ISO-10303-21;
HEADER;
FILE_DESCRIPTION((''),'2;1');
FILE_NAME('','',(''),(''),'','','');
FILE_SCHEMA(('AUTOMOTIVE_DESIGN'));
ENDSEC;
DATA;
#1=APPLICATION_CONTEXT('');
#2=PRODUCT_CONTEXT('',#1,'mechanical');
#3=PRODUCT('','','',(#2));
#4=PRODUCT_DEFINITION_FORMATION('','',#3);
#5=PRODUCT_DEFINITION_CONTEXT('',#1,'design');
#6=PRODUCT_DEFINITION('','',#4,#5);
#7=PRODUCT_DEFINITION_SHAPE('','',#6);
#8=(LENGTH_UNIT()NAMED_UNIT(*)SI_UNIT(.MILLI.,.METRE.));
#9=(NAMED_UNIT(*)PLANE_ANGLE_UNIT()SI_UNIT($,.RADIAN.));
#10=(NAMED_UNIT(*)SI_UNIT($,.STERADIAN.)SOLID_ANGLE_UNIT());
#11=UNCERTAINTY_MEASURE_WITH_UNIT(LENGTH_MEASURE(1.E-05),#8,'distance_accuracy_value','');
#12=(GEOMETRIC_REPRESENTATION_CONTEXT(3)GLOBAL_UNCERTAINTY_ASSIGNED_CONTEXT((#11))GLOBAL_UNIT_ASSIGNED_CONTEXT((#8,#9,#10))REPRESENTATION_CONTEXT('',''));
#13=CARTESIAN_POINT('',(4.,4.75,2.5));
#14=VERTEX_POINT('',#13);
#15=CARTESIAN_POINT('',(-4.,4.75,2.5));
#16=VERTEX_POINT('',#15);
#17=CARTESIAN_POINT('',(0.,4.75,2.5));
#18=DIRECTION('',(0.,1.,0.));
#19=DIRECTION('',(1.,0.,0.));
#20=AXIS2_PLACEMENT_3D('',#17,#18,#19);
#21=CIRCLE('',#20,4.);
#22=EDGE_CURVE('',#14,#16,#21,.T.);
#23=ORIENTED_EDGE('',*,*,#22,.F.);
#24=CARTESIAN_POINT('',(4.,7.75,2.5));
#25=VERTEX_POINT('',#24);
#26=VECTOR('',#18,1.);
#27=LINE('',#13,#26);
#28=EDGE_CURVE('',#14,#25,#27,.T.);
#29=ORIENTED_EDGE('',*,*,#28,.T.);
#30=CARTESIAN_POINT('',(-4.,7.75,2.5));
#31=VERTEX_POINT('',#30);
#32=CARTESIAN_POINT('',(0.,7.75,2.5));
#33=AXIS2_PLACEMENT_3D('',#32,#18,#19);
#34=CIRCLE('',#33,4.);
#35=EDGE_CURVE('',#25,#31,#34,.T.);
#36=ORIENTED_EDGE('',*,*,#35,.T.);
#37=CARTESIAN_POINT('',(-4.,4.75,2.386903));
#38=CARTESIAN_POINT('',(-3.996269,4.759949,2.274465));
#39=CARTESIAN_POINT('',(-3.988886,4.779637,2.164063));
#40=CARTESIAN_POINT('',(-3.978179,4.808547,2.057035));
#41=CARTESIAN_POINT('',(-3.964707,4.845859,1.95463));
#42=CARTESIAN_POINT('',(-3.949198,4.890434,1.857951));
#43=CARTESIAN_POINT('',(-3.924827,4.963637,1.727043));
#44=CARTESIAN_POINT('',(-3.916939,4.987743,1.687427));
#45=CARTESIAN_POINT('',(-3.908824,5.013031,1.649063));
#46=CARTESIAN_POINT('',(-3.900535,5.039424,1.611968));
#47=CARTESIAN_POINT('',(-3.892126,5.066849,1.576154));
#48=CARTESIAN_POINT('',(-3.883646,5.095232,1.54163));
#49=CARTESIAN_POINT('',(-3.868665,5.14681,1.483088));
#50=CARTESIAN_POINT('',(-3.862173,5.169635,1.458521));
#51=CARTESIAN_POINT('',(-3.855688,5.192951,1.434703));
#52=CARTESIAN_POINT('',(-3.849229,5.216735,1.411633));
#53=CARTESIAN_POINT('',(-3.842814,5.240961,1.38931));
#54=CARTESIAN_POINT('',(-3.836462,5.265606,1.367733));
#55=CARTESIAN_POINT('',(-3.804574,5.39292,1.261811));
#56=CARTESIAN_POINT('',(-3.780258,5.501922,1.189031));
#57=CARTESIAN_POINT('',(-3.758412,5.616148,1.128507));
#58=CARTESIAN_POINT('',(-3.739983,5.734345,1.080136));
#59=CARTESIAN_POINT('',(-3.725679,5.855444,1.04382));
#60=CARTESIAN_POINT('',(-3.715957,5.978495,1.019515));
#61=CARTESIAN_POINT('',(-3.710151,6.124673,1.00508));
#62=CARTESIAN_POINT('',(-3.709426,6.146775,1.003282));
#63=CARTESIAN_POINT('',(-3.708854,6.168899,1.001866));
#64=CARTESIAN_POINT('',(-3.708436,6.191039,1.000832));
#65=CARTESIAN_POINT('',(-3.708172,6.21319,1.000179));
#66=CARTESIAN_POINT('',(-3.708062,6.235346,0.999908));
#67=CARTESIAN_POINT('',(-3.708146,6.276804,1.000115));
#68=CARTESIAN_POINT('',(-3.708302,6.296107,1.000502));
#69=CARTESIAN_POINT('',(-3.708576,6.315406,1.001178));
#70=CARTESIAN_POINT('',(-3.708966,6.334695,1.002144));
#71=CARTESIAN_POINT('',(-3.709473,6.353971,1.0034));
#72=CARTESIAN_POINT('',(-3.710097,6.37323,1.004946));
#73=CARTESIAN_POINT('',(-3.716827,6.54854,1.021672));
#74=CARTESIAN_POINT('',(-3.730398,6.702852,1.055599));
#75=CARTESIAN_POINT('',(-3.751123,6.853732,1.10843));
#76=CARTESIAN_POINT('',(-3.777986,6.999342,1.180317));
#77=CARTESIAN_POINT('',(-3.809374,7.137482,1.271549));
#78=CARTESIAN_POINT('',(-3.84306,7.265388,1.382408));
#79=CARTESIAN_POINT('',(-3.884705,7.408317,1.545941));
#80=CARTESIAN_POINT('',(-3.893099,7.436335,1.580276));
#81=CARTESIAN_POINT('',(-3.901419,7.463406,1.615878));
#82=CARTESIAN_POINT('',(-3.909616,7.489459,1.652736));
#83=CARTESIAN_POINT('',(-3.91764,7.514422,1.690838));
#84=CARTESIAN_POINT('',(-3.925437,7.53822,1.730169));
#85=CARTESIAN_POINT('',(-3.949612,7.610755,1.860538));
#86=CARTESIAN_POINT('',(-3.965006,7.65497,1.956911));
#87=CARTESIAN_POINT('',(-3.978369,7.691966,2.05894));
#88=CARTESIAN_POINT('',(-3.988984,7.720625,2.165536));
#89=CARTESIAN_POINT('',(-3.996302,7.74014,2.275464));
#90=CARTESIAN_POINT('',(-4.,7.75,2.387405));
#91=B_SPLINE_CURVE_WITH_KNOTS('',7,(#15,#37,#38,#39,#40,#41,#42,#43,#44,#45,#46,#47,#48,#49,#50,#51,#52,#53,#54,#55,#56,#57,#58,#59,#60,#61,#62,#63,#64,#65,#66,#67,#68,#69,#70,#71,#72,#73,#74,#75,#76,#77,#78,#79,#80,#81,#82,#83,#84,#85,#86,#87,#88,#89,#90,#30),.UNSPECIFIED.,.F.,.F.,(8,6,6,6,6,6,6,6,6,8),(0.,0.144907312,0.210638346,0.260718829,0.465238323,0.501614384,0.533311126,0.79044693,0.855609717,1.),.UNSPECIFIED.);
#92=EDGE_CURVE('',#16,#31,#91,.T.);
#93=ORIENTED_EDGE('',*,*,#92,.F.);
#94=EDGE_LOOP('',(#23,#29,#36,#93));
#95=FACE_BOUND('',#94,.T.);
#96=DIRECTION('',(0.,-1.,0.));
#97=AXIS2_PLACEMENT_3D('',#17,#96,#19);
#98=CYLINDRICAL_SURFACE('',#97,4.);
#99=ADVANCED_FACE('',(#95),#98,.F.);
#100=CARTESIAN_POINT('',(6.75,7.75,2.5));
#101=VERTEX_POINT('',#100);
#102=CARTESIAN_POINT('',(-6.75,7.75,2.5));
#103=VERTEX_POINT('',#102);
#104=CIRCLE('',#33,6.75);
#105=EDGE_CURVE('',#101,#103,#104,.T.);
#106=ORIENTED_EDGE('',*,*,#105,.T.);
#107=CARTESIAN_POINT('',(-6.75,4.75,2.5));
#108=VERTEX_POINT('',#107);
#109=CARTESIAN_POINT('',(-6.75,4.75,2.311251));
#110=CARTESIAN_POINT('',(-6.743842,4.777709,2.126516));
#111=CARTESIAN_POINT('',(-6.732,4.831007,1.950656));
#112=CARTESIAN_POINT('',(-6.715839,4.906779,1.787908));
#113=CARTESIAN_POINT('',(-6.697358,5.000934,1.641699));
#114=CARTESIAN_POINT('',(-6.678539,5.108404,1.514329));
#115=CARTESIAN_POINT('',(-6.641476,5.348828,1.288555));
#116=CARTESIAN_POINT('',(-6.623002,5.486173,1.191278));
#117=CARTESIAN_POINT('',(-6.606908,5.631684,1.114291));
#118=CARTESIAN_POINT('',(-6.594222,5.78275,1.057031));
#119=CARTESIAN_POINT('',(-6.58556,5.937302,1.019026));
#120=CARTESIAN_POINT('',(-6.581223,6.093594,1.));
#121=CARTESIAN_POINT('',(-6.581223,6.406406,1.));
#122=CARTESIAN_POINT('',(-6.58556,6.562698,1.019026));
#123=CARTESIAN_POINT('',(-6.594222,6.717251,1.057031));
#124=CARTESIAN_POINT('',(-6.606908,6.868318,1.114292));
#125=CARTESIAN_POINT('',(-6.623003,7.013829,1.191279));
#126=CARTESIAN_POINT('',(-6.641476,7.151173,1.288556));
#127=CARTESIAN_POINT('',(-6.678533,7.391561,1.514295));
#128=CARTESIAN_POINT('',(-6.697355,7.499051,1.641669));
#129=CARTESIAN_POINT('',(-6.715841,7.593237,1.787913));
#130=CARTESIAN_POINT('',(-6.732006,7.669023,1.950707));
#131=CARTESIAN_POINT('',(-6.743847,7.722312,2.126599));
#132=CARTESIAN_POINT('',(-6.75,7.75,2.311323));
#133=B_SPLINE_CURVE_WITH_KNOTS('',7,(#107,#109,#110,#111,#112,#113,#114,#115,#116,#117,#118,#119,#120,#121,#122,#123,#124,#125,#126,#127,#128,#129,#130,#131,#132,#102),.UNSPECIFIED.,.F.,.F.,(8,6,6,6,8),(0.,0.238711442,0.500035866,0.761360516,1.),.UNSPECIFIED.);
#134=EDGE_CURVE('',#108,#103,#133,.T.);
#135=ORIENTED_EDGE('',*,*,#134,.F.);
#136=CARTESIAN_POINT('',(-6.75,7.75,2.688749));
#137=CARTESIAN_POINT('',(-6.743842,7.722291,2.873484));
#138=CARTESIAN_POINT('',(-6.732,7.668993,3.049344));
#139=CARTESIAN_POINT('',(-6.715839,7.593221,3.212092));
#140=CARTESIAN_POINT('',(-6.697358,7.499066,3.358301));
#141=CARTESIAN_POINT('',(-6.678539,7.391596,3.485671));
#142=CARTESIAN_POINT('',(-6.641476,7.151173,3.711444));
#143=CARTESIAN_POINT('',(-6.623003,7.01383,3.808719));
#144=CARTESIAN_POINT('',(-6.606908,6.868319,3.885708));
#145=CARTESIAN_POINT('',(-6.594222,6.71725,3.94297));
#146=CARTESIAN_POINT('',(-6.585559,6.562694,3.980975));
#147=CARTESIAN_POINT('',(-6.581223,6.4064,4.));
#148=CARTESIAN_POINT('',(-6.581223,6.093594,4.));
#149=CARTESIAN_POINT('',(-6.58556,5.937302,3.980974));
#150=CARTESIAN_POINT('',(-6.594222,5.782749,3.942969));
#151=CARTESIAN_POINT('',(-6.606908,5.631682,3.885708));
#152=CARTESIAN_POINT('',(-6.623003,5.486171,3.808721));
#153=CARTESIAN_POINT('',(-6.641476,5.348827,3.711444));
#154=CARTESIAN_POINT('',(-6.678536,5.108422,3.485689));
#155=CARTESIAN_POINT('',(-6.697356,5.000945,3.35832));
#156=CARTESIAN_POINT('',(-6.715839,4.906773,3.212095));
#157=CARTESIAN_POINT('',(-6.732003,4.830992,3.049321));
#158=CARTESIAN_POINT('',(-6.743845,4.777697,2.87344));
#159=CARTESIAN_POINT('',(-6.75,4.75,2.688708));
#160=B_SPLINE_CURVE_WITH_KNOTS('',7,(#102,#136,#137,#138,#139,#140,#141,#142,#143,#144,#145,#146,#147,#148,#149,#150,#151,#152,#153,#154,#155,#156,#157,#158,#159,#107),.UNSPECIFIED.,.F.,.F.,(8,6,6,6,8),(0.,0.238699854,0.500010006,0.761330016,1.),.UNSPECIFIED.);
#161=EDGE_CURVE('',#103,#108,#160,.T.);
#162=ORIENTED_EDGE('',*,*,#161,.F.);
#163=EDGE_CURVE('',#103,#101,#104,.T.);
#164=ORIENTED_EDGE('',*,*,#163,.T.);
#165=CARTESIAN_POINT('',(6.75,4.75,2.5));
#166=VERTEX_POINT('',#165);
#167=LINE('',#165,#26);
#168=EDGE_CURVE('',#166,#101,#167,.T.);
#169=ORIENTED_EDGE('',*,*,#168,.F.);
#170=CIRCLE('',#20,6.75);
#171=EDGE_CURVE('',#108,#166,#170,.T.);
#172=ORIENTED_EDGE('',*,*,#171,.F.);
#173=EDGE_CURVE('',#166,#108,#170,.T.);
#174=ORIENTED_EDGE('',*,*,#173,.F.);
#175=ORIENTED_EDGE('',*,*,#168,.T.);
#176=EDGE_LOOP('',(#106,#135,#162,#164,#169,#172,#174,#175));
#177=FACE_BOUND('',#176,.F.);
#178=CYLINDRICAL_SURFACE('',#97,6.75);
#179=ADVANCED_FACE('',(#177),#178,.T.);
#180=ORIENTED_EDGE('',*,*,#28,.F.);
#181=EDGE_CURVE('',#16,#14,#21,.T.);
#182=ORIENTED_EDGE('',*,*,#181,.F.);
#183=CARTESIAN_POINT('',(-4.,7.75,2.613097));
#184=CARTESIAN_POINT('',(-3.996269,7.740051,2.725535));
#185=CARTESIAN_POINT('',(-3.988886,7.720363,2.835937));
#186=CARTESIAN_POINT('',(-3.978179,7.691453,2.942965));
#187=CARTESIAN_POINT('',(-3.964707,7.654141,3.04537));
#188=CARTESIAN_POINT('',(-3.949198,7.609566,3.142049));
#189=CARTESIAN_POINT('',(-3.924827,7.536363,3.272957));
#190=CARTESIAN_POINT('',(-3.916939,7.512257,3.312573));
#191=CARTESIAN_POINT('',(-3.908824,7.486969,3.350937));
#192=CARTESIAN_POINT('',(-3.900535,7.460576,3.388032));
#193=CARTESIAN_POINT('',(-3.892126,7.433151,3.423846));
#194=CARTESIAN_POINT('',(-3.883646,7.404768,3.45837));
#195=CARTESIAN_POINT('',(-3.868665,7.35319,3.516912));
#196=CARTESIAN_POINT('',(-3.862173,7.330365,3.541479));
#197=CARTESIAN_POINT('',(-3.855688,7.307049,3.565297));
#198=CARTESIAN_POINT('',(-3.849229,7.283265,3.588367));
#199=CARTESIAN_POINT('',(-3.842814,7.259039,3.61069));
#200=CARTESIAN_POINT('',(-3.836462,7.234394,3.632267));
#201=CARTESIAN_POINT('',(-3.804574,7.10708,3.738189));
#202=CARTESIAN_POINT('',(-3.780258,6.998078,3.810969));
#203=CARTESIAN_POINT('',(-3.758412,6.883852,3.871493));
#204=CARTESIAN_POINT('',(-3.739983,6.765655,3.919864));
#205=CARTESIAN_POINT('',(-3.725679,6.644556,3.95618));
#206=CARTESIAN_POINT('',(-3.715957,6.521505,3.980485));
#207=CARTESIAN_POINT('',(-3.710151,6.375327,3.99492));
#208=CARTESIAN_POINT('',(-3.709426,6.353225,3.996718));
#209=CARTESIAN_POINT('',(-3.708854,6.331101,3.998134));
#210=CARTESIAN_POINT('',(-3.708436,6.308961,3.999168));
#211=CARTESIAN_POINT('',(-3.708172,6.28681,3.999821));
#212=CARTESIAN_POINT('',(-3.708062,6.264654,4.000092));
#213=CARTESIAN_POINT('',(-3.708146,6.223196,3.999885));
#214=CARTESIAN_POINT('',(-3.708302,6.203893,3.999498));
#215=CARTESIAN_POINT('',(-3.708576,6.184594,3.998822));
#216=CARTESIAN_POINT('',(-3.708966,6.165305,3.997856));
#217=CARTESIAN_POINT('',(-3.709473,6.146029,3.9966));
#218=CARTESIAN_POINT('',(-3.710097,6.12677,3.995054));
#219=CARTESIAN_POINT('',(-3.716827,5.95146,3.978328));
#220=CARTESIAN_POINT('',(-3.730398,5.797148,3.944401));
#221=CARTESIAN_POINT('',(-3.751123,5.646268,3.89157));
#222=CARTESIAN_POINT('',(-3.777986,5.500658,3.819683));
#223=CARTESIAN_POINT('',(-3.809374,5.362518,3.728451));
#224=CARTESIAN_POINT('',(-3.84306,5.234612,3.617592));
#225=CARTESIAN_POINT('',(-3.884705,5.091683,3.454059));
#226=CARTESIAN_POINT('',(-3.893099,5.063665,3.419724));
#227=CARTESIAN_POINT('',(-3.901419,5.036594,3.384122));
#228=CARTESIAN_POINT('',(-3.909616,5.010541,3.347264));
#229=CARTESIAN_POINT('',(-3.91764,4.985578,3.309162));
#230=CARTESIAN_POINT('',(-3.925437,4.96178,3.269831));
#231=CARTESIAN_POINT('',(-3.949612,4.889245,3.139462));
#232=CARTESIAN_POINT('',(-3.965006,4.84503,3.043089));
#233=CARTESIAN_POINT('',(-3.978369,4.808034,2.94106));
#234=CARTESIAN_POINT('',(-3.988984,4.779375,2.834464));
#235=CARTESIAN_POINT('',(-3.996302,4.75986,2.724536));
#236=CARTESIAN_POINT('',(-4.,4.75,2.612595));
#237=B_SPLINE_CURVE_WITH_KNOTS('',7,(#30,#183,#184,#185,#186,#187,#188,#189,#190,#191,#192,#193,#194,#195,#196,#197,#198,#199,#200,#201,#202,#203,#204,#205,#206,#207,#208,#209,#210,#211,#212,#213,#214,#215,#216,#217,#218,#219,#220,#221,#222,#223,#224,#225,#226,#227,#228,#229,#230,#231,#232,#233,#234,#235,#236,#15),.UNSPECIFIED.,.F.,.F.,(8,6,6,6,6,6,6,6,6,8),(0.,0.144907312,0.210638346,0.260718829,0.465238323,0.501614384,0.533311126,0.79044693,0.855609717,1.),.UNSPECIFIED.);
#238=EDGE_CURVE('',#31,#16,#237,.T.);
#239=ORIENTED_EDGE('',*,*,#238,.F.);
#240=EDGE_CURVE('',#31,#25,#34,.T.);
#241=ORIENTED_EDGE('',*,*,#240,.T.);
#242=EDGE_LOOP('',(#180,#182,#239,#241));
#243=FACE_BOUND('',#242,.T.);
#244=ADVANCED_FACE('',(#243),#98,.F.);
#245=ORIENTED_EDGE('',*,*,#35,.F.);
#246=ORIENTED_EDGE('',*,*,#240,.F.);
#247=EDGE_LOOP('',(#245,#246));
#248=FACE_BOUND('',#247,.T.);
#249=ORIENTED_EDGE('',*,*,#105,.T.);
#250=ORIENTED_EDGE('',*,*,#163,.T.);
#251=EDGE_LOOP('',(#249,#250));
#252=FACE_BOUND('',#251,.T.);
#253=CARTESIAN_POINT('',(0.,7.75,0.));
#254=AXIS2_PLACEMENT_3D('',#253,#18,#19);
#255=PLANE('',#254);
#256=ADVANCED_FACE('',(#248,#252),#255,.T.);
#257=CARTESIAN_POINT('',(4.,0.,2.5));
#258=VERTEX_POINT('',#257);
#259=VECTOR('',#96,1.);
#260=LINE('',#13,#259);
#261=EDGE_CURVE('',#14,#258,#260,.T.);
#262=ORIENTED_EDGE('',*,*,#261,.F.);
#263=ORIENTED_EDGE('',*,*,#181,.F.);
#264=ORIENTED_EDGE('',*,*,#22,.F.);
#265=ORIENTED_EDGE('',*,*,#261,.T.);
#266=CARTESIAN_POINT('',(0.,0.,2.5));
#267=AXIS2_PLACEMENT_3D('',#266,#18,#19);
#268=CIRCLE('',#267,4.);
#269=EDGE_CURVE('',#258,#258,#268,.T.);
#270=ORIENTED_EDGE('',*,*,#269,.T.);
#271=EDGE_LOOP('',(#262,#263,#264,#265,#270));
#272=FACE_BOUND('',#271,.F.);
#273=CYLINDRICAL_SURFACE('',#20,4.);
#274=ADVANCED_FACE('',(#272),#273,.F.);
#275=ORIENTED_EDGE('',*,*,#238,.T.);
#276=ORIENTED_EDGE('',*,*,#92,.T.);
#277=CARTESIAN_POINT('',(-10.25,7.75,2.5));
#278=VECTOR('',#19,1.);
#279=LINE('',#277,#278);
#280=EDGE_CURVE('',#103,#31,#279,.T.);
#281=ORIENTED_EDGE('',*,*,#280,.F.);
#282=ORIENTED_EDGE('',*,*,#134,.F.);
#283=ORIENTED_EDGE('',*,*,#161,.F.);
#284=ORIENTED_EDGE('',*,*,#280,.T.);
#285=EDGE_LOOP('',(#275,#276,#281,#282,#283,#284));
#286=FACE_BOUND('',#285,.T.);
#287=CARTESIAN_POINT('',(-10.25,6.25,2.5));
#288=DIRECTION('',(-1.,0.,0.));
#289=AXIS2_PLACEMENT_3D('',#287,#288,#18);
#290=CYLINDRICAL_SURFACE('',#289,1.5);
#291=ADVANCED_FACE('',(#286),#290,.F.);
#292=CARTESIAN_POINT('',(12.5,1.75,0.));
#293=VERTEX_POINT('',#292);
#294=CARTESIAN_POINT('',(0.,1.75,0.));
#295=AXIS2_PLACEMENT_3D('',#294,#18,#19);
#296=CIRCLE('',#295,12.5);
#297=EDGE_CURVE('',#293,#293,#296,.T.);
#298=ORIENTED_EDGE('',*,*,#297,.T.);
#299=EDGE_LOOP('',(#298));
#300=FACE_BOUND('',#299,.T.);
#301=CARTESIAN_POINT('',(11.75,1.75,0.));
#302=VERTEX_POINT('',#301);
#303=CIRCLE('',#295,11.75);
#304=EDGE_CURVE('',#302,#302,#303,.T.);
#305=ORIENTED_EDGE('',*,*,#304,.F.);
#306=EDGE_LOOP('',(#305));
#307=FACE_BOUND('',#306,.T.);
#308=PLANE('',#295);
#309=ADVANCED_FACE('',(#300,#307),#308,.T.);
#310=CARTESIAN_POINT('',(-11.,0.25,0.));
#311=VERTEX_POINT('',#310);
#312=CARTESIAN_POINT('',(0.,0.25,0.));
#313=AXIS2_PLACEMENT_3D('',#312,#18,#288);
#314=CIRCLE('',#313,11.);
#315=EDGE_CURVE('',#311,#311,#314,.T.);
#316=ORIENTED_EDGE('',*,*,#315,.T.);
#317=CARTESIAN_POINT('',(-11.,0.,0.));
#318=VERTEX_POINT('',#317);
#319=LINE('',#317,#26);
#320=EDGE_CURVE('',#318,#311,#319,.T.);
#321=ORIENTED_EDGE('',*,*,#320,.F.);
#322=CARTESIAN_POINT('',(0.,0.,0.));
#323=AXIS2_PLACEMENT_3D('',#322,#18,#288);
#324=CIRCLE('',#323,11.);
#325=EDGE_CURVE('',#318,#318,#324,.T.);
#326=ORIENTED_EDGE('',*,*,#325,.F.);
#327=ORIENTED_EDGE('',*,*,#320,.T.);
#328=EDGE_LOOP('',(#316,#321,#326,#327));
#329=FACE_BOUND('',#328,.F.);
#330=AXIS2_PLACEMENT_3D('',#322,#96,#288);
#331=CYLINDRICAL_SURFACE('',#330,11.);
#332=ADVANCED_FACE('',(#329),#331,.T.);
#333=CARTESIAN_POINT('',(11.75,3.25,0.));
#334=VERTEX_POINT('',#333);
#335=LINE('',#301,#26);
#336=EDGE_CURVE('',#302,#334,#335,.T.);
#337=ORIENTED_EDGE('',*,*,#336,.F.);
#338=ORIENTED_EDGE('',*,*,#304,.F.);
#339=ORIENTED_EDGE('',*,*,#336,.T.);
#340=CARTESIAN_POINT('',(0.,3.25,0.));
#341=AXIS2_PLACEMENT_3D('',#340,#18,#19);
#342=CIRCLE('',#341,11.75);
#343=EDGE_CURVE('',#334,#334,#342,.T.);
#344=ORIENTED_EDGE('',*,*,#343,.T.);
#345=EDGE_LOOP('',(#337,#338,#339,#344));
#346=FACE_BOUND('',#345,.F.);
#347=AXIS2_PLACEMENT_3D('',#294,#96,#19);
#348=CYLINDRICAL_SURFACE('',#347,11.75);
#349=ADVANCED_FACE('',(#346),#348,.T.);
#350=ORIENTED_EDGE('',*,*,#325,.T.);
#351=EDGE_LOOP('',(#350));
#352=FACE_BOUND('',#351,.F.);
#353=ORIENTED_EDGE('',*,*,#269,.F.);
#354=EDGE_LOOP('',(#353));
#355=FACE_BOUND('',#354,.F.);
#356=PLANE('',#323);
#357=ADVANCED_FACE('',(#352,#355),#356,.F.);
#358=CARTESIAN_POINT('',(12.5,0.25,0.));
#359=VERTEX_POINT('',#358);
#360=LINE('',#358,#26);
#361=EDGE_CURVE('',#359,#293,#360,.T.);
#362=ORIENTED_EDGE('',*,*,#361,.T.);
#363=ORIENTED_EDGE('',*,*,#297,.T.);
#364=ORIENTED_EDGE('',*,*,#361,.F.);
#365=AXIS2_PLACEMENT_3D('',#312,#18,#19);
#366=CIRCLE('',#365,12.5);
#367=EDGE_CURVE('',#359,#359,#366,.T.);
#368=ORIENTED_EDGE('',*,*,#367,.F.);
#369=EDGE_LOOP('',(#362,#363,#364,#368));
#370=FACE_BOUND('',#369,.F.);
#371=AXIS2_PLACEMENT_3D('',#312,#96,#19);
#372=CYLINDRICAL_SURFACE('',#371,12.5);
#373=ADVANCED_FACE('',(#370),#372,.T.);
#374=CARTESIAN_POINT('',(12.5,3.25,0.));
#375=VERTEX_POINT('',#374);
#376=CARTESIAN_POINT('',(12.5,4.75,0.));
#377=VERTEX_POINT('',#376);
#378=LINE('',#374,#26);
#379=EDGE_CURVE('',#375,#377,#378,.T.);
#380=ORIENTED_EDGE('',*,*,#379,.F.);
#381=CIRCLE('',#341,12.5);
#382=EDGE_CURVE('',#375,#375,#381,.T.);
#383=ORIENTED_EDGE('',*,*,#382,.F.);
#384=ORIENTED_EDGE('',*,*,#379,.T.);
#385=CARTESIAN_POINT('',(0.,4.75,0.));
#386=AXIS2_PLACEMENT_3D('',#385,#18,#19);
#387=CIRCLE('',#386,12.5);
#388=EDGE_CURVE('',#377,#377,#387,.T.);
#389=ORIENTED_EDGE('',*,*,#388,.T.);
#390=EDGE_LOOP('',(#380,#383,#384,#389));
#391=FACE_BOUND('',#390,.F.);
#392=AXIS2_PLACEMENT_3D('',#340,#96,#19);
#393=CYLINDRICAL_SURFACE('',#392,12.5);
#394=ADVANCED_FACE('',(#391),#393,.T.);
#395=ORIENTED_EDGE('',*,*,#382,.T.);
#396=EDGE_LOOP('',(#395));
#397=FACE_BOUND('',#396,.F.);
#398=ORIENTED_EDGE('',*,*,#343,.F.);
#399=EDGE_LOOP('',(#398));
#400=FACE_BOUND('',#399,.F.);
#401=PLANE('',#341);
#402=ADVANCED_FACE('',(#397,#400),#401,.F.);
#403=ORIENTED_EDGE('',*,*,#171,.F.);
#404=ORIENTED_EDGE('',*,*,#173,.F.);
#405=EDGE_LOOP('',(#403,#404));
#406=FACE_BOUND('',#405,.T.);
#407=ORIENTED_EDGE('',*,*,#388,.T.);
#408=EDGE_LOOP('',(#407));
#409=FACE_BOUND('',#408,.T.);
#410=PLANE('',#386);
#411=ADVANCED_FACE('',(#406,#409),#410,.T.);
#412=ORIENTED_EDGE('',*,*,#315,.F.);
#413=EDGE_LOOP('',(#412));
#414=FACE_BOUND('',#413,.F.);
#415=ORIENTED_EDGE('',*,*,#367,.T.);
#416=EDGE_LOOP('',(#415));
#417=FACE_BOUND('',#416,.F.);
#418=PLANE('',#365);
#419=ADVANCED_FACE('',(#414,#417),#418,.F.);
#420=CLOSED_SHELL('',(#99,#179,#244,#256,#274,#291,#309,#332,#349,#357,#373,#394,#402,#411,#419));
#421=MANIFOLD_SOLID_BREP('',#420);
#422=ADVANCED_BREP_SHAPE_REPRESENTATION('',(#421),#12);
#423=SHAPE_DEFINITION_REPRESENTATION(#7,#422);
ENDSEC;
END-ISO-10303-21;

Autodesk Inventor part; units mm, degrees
ref_plane "XZ Plane" through (0, 0, 0) normal (0, 1, 0) x (-1, 0, 0)
ref_plane "XY Plane" through (0, 0, 0) normal (0, 0, 1) x (1, 0, 0)
sketch "Sketch1" plane through (0, 0, 0) normal (0, 1, 0) x (-1, 0, 0)
  circle A0 centre (0, 0) radius 11
  dimension "d0" = 22
extrude "Extrusion1" add sketch "Sketch1" along normal blind 0.25
sketch "Sketch2" plane through (0, 0.25, 0) normal (0, 1, 0) x (1, 0, 0)
  circle A0 centre (0, 0) radius 12.5
  dimension "d3" = 25
extrude "Extrusion2" add sketch "Sketch2" along normal blind 1.5
sketch "Sketch3" plane through (0, 1.75, 0) normal (0, 1, 0) x (1, 0, 0)
  circle A0 centre (0, 0) radius 11.75
  dimension "d6" = 23.5
extrude "Extrusion3" add sketch "Sketch3" along normal blind 1.5
sketch "Sketch4" plane through (0, 3.25, 0) normal (0, 1, 0) x (1, 0, 0)
  circle A0 centre (0, 0) radius 12.5
  dimension "d9" = 25
extrude "Extrusion4" add sketch "Sketch4" along normal blind 1.5
sketch "Sketch5" plane through (0, 4.75, 0) normal (0, 1, 0) x (1, 0, 0)
  line L0 (0, 0) -> (0, -2.5) construction
  circle A0 centre (0, -2.5) radius 6.75 construction
  circle A1 centre (0, -2.5) radius 6.75
  circle A2 centre (0, -2.5) radius 4
  dimension "d12" = 2.5
  dimension "d13" = 13.5
  dimension "d14" = 8
  dimension "d15" = 13.5
extrude "Extrusion5" add sketch "Sketch5" along normal blind 3
sketch "Sketch6" plane through (0, 4.75, 2.5) normal (0, 1, 0) x (1, 0, 0)
  circle A0 centre (0, 0) radius 4
  line L0 (0, 0) -> (-12.2474, 0) construction
  circle A1 centre (0, 2.5) radius 12.5 construction
  dimension "d18" = 8
  dimension "d19" = 2.5
  dimension "d20" = 12.2475
extrude "Extrusion6" cut sketch "Sketch6" against normal blind 999
ref_plane "Work Plane2" through (-10.25, 0, 0) normal (1, 0, 0) x (0, 1, 0)
sketch "Sketch8" plane through (-10.25, 0, 0) normal (1, 0, 0) x (0, 1, 0)
  line L0 (7.75, -4.25) -> (7.75, 9.25) construction
  line L1 (7.75, 0) -> (4.75, 0) construction
  line L2 (4.75, 9.25) -> (4.75, -4.25) construction
  line L3 (6.25, 0) -> (6.25, 7.0333) construction
  line L4 (7.75, 2.5) -> (4.75, 2.5) construction
  circle A0 centre (6.25, 2.5) radius 1.5
  point P0 (0, 0)
  dimension "d25" = 3
  dimension "d26" = 3
extrude "Extrusion7" cut sketch "Sketch8" along normal blind 9
thread "Thread1" size "M2.5x0.45" class "6H" standard "ANSI Metric M Profile" length 6
properties part number "eccentric" material "Aluminum 6061"
